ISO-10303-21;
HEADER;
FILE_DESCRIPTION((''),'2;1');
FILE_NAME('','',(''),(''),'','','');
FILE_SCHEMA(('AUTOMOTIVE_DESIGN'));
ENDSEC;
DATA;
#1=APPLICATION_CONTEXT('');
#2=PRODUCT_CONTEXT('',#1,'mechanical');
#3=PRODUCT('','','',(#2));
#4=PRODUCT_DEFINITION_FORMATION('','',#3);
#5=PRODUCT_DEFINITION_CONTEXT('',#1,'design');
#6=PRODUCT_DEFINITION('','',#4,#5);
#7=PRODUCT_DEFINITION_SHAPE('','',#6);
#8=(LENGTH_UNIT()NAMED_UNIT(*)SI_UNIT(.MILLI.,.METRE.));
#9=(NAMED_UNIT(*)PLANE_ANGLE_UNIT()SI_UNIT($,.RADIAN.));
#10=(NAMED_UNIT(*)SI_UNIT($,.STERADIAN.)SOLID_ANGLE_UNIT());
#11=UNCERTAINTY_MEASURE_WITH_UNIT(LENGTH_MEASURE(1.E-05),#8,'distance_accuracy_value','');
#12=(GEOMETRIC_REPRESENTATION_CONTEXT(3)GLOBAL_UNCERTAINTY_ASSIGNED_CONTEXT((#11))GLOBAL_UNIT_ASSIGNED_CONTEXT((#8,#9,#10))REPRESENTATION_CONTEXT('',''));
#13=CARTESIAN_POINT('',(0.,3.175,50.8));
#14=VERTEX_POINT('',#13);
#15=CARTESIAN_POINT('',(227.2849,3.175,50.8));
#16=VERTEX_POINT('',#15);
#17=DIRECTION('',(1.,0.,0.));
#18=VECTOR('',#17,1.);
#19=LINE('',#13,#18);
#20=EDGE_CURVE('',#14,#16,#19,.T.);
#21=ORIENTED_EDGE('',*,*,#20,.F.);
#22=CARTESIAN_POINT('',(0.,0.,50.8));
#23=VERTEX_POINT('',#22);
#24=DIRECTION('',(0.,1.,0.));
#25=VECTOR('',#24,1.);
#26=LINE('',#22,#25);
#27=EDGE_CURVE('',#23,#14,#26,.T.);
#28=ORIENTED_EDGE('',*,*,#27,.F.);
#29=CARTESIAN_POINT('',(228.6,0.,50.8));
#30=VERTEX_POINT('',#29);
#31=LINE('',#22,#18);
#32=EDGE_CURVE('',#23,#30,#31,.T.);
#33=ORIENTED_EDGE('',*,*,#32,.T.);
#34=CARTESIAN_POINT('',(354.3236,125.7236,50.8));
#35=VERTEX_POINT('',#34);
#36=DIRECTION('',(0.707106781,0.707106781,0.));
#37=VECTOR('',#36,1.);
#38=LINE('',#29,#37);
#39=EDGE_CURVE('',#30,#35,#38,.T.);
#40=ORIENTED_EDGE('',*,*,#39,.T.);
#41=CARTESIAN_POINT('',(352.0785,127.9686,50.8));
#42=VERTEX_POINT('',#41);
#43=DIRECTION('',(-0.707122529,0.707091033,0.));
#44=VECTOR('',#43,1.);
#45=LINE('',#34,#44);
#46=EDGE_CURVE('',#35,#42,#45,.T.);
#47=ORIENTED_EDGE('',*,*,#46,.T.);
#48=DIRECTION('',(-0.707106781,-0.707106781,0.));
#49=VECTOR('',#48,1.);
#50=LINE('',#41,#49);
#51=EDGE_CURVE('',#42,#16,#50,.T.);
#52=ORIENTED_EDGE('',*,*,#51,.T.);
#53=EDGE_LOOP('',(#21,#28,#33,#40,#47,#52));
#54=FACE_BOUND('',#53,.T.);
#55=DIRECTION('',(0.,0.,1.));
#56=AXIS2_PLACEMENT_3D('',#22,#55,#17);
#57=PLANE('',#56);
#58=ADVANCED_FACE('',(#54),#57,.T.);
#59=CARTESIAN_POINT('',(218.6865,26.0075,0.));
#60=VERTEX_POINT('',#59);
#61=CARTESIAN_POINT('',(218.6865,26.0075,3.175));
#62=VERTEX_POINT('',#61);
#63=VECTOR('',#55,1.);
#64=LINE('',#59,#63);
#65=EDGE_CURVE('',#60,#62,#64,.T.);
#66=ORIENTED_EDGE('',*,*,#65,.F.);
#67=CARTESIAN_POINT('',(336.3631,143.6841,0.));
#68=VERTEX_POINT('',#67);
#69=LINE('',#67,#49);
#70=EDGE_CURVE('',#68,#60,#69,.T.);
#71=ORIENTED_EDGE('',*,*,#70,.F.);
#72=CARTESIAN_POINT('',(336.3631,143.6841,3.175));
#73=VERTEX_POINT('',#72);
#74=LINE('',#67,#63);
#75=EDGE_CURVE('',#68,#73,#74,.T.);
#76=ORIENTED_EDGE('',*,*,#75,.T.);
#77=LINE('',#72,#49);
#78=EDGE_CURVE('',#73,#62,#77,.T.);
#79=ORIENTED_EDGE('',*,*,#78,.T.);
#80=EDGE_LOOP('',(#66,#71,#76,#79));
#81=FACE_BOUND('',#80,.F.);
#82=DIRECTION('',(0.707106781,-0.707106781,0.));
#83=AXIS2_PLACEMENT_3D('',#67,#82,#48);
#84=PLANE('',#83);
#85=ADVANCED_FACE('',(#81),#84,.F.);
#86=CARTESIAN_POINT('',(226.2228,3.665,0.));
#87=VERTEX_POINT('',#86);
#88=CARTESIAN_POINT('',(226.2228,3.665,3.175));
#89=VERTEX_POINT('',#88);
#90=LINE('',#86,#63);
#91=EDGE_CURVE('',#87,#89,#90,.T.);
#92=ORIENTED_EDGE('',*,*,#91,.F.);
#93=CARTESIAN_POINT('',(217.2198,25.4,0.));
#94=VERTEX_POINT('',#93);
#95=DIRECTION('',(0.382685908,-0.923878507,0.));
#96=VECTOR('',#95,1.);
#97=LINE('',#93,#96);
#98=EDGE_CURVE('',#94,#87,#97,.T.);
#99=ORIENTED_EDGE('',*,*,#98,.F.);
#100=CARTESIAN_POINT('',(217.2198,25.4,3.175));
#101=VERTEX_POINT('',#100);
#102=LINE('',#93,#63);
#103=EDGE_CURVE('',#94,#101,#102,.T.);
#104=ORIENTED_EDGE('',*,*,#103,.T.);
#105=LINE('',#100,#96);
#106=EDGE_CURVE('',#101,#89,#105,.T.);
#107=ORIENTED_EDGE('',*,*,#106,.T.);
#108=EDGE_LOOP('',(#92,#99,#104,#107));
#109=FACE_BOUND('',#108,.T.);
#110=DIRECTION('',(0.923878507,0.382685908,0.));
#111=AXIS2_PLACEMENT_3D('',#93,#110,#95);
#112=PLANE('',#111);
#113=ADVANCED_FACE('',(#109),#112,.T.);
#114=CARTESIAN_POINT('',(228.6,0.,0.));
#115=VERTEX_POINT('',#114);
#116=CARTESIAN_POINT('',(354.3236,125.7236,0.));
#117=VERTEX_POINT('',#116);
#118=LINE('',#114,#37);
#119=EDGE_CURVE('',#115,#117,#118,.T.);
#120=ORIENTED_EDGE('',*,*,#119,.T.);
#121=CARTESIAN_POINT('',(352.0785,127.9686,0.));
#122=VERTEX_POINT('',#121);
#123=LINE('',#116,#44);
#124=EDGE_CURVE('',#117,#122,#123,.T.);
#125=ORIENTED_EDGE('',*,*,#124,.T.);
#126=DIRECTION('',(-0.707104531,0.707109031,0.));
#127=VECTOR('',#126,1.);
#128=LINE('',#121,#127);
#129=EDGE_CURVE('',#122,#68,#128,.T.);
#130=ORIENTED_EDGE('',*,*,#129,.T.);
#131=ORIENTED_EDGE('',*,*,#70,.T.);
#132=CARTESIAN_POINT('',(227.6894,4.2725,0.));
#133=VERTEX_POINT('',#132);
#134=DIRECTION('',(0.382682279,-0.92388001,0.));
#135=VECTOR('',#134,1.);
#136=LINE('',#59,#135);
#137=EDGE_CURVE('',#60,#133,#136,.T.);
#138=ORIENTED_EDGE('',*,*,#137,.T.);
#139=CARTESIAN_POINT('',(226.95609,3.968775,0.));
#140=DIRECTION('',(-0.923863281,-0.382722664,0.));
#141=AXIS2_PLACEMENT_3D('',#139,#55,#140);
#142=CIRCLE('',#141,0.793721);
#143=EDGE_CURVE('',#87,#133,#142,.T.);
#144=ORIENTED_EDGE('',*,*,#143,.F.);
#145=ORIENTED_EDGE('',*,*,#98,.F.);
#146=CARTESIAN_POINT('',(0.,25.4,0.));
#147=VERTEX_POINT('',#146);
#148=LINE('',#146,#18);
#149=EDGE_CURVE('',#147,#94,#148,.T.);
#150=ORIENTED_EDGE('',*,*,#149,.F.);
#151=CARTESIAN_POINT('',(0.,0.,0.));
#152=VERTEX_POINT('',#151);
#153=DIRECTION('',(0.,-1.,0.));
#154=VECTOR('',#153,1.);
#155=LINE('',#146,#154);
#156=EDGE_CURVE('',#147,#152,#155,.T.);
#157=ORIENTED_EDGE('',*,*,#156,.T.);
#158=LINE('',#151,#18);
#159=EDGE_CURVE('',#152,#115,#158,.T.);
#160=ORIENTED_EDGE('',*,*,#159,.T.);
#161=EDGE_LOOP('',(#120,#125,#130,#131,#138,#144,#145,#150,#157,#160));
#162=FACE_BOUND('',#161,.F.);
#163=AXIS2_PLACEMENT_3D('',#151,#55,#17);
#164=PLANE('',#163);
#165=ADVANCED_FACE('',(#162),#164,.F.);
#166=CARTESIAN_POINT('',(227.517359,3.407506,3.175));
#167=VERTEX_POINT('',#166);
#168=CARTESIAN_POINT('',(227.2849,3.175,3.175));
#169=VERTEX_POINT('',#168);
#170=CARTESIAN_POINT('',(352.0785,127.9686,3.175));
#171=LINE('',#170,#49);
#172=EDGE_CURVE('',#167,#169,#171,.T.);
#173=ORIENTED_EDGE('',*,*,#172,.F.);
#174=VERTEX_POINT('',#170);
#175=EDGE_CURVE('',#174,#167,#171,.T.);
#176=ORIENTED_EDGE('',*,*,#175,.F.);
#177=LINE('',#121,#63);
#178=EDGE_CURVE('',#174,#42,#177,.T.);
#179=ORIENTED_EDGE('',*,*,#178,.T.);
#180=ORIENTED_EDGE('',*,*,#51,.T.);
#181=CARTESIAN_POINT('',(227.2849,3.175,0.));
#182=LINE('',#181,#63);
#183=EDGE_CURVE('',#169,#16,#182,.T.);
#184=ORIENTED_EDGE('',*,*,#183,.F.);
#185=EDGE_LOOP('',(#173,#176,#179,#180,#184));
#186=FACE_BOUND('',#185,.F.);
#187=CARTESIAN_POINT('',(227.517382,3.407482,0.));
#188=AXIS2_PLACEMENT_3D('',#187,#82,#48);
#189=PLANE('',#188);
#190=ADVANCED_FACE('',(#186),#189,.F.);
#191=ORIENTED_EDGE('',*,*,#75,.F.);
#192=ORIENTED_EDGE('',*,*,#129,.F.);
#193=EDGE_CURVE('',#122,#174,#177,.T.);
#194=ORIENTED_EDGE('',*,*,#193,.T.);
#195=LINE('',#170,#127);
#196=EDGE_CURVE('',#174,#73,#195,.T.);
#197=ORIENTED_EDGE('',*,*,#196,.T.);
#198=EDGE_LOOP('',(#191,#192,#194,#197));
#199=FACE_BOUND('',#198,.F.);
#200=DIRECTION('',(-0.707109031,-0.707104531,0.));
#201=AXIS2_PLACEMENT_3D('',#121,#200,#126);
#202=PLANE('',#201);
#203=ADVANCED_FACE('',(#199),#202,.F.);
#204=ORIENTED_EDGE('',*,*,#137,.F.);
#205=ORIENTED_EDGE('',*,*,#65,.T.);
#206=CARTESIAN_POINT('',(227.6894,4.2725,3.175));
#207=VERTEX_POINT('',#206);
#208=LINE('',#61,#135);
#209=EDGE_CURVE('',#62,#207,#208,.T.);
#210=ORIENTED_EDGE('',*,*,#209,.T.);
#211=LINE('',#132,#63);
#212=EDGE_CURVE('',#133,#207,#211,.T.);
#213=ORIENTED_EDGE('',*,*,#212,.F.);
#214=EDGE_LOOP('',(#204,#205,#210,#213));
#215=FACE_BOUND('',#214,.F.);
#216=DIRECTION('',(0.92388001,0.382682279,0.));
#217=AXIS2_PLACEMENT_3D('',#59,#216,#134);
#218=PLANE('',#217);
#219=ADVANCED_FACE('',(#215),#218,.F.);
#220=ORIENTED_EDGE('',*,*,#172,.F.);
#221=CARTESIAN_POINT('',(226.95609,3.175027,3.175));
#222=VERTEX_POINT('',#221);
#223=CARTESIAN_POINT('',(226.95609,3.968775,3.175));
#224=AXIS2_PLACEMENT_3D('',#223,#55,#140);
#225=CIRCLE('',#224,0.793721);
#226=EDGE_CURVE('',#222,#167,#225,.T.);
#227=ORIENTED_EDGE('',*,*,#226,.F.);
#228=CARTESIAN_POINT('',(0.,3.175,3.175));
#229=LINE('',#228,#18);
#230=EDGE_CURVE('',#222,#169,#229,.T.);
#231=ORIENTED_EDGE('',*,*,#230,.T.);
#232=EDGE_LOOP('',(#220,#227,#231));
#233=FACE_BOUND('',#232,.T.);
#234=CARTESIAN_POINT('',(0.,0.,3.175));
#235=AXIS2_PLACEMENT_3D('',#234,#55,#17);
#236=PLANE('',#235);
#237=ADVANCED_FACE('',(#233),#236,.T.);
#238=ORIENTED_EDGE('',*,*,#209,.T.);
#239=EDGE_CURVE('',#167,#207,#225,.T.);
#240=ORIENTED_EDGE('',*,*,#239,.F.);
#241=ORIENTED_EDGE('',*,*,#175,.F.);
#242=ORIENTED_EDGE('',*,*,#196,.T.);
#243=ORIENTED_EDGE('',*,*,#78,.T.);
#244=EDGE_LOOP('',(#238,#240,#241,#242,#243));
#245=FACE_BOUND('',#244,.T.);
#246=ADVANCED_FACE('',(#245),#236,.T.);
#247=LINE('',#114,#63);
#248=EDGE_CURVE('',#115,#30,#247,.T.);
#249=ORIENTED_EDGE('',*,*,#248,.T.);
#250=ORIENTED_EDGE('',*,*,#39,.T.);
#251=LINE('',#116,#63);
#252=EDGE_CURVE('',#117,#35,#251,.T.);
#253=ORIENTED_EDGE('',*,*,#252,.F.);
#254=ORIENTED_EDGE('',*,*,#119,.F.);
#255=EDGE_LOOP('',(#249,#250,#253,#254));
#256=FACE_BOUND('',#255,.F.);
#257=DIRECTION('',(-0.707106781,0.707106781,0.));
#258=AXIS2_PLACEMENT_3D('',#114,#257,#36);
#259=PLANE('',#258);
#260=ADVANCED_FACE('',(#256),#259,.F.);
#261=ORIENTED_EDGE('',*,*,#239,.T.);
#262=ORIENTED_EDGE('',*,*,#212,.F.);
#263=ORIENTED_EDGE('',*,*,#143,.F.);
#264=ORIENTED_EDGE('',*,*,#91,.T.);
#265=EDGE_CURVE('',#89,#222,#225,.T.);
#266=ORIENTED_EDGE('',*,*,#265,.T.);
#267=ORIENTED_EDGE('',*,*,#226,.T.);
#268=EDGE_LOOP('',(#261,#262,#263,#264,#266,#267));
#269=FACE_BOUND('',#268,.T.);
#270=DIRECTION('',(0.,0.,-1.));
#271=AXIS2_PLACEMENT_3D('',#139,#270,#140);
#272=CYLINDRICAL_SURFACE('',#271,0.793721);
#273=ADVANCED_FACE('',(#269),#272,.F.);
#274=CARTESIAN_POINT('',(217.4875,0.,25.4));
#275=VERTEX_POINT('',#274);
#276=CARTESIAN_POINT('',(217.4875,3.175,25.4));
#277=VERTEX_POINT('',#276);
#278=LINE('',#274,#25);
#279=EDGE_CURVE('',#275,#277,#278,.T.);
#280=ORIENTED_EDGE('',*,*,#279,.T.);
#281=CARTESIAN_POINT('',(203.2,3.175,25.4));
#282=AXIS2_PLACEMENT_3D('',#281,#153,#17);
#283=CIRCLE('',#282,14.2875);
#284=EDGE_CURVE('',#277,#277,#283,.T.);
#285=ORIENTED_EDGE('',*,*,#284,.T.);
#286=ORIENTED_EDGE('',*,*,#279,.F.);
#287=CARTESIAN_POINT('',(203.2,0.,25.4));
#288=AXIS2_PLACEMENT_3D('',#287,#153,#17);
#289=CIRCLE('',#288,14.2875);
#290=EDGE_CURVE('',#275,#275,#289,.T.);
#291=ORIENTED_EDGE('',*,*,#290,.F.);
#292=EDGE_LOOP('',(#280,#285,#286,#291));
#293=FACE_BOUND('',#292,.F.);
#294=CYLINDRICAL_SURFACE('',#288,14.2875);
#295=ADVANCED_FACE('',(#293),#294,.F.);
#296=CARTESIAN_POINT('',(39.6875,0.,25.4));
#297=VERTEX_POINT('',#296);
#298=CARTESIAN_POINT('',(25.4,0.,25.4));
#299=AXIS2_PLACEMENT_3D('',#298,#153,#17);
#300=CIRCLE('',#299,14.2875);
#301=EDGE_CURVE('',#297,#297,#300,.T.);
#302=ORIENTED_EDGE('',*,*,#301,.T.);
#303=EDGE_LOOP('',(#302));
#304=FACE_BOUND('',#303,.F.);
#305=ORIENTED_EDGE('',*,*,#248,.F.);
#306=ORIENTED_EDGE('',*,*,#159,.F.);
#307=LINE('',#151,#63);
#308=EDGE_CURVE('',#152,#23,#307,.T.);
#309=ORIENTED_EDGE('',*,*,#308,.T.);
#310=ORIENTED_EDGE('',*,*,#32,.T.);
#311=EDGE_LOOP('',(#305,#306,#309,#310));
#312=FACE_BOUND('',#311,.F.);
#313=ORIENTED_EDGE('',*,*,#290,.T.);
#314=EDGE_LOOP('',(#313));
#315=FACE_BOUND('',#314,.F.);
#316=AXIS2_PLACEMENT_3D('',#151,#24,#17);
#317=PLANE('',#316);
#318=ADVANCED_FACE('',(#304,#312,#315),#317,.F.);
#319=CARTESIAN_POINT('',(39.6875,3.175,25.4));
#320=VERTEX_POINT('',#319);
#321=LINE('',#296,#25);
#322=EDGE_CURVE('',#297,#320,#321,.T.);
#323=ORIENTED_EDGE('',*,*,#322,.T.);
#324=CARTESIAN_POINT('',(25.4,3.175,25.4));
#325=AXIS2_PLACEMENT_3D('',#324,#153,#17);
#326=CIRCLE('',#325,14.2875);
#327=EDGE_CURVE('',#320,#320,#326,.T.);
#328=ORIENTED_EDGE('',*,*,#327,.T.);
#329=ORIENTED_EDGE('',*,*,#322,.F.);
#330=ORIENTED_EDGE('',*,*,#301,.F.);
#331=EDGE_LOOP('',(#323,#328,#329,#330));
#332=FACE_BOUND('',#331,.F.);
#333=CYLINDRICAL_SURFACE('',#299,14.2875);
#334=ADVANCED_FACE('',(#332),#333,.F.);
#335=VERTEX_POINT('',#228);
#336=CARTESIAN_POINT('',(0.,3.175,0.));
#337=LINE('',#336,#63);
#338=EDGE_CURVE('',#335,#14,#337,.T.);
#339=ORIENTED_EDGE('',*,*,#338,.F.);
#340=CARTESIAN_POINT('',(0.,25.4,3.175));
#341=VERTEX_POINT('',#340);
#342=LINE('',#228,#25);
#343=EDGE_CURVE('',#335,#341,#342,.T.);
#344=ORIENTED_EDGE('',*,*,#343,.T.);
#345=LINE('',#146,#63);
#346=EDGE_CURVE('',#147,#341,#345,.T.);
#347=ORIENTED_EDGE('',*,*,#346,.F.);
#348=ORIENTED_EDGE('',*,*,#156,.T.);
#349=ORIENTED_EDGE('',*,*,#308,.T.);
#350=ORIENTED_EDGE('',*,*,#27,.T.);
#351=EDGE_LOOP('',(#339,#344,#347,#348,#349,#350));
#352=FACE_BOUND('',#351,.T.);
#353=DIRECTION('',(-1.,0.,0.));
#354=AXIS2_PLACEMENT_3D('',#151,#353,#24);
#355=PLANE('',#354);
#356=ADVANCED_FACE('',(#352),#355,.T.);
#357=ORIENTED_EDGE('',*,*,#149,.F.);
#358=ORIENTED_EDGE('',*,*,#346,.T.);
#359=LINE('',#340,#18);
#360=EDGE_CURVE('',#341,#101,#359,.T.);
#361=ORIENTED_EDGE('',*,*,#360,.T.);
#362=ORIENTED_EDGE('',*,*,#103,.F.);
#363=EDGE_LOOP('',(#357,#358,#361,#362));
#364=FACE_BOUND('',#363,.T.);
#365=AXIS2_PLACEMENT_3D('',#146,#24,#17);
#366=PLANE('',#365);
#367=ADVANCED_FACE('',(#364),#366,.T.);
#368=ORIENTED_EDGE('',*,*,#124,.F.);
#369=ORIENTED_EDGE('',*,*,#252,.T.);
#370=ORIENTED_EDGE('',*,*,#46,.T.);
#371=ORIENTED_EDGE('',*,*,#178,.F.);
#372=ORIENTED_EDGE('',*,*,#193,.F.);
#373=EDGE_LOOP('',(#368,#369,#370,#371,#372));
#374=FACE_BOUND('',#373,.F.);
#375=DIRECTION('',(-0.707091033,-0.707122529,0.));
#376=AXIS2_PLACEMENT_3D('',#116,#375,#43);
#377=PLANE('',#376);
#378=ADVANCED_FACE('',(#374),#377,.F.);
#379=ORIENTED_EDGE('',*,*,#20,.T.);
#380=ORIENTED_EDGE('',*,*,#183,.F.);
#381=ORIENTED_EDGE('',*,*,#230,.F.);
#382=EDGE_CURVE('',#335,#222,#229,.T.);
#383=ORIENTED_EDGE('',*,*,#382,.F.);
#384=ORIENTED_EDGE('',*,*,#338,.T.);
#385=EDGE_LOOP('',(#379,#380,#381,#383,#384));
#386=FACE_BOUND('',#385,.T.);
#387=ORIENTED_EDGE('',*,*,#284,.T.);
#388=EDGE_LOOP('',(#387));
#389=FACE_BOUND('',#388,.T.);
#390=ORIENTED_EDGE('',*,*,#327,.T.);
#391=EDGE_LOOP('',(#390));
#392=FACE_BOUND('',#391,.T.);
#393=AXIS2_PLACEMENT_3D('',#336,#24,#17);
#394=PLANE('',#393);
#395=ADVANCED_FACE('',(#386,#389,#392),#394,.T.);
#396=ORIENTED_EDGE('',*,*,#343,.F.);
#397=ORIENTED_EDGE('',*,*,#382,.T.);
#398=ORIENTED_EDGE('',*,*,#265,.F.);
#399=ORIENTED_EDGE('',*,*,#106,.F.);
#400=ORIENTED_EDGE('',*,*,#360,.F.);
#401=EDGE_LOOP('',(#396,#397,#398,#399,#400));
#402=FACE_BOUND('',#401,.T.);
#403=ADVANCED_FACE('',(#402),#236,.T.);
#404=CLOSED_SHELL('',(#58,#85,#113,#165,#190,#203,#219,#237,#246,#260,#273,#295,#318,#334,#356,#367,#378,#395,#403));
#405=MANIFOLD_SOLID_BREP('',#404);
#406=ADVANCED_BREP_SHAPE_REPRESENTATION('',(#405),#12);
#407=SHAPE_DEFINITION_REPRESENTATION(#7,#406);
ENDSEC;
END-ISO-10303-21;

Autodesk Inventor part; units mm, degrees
ref_plane "YZ Plane" through (0, 0, 0) normal (1, 0, 0) x (0, 1, 0)
ref_plane "XZ Plane" through (0, 0, 0) normal (0, 1, 0) x (-1, 0, 0)
ref_plane "XY Plane" through (0, 0, 0) normal (0, 0, 1) x (1, 0, 0)
sketch "Sketch1" plane through (0, 0, 0) normal (0, 0, 1) x (1, 0, 0)
  line L0 (0, 0) -> (228.6, 0)
  line L1 (228.6, 0) -> (354.3236, 125.7236)
  line L2 (354.3236, 125.7236) -> (352.0785, 127.9686)
  line L3 (352.0785, 127.9686) -> (227.2849, 3.175)
  line L4 (0, 0) -> (0, 3.175)
  line L5 (0, 3.175) -> (227.2849, 3.175)
  line L6 (0, 3.175) -> (0, 25.4)
  line L7 (0, 25.4) -> (217.2198, 25.4)
  line L8 (352.0785, 127.9686) -> (336.3631, 143.6841)
  line L9 (336.3631, 143.6841) -> (218.6865, 26.0075)
  line L10 (217.2198, 25.4) -> (226.2228, 3.665)
  line L11 (218.6865, 26.0075) -> (227.6894, 4.2725)
  arc A0 (226.2228, 3.665) -> (227.6894, 4.2725) centre (226.9561, 3.9688) ccw
  line L12 (217.2198, 25.4) -> (218.079, 25.4) construction
  line L13 (218.6865, 26.0075) -> (218.079, 25.4) construction
  dimension "d4" = 3.175
  dimension "d6" = 3.175
  dimension "d8" = 25.4
  dimension "d9" = 25.4
  dimension "d10" = 45
  dimension "d11" = 228.6
  dimension "d12" = 177.8
  dimension "d13" = 1.5875
extrude "Extrusion1" add sketch "Sketch1" along normal blind 3.175 contours L6 L7 L10 A0 L5 | A0 L3 L5 | L3 A0 L11 L9 L8
extrude "Extrusion2" add sketch "Sketch1" along normal blind 50.8 contours L4 L5 L3 L2 L1 L0
sketch "Sketch2" plane through (0, 0, 0) normal (0, -1, 0) x (1, 0, 0)
  line L0 (0, 0) -> (0, 50.8) projected
  line L1 (0, 0) -> (228.6, 0) projected
  line L2 (228.6, 0) -> (228.6, 50.8) projected
  circle A0 centre (25.4, 25.4) radius 14.2875
  circle A1 centre (203.2, 25.4) radius 14.2875
  dimension "d18" = 28.575
  dimension "d19" = 25.4
  dimension "d20" = 25.4
  dimension "d21" = 25.4
extrude "Extrusion3" cut sketch "Sketch2" against normal through all
equation "\"d4\" = d6"
properties part number "8 ball bottom 1 by 2 L"
